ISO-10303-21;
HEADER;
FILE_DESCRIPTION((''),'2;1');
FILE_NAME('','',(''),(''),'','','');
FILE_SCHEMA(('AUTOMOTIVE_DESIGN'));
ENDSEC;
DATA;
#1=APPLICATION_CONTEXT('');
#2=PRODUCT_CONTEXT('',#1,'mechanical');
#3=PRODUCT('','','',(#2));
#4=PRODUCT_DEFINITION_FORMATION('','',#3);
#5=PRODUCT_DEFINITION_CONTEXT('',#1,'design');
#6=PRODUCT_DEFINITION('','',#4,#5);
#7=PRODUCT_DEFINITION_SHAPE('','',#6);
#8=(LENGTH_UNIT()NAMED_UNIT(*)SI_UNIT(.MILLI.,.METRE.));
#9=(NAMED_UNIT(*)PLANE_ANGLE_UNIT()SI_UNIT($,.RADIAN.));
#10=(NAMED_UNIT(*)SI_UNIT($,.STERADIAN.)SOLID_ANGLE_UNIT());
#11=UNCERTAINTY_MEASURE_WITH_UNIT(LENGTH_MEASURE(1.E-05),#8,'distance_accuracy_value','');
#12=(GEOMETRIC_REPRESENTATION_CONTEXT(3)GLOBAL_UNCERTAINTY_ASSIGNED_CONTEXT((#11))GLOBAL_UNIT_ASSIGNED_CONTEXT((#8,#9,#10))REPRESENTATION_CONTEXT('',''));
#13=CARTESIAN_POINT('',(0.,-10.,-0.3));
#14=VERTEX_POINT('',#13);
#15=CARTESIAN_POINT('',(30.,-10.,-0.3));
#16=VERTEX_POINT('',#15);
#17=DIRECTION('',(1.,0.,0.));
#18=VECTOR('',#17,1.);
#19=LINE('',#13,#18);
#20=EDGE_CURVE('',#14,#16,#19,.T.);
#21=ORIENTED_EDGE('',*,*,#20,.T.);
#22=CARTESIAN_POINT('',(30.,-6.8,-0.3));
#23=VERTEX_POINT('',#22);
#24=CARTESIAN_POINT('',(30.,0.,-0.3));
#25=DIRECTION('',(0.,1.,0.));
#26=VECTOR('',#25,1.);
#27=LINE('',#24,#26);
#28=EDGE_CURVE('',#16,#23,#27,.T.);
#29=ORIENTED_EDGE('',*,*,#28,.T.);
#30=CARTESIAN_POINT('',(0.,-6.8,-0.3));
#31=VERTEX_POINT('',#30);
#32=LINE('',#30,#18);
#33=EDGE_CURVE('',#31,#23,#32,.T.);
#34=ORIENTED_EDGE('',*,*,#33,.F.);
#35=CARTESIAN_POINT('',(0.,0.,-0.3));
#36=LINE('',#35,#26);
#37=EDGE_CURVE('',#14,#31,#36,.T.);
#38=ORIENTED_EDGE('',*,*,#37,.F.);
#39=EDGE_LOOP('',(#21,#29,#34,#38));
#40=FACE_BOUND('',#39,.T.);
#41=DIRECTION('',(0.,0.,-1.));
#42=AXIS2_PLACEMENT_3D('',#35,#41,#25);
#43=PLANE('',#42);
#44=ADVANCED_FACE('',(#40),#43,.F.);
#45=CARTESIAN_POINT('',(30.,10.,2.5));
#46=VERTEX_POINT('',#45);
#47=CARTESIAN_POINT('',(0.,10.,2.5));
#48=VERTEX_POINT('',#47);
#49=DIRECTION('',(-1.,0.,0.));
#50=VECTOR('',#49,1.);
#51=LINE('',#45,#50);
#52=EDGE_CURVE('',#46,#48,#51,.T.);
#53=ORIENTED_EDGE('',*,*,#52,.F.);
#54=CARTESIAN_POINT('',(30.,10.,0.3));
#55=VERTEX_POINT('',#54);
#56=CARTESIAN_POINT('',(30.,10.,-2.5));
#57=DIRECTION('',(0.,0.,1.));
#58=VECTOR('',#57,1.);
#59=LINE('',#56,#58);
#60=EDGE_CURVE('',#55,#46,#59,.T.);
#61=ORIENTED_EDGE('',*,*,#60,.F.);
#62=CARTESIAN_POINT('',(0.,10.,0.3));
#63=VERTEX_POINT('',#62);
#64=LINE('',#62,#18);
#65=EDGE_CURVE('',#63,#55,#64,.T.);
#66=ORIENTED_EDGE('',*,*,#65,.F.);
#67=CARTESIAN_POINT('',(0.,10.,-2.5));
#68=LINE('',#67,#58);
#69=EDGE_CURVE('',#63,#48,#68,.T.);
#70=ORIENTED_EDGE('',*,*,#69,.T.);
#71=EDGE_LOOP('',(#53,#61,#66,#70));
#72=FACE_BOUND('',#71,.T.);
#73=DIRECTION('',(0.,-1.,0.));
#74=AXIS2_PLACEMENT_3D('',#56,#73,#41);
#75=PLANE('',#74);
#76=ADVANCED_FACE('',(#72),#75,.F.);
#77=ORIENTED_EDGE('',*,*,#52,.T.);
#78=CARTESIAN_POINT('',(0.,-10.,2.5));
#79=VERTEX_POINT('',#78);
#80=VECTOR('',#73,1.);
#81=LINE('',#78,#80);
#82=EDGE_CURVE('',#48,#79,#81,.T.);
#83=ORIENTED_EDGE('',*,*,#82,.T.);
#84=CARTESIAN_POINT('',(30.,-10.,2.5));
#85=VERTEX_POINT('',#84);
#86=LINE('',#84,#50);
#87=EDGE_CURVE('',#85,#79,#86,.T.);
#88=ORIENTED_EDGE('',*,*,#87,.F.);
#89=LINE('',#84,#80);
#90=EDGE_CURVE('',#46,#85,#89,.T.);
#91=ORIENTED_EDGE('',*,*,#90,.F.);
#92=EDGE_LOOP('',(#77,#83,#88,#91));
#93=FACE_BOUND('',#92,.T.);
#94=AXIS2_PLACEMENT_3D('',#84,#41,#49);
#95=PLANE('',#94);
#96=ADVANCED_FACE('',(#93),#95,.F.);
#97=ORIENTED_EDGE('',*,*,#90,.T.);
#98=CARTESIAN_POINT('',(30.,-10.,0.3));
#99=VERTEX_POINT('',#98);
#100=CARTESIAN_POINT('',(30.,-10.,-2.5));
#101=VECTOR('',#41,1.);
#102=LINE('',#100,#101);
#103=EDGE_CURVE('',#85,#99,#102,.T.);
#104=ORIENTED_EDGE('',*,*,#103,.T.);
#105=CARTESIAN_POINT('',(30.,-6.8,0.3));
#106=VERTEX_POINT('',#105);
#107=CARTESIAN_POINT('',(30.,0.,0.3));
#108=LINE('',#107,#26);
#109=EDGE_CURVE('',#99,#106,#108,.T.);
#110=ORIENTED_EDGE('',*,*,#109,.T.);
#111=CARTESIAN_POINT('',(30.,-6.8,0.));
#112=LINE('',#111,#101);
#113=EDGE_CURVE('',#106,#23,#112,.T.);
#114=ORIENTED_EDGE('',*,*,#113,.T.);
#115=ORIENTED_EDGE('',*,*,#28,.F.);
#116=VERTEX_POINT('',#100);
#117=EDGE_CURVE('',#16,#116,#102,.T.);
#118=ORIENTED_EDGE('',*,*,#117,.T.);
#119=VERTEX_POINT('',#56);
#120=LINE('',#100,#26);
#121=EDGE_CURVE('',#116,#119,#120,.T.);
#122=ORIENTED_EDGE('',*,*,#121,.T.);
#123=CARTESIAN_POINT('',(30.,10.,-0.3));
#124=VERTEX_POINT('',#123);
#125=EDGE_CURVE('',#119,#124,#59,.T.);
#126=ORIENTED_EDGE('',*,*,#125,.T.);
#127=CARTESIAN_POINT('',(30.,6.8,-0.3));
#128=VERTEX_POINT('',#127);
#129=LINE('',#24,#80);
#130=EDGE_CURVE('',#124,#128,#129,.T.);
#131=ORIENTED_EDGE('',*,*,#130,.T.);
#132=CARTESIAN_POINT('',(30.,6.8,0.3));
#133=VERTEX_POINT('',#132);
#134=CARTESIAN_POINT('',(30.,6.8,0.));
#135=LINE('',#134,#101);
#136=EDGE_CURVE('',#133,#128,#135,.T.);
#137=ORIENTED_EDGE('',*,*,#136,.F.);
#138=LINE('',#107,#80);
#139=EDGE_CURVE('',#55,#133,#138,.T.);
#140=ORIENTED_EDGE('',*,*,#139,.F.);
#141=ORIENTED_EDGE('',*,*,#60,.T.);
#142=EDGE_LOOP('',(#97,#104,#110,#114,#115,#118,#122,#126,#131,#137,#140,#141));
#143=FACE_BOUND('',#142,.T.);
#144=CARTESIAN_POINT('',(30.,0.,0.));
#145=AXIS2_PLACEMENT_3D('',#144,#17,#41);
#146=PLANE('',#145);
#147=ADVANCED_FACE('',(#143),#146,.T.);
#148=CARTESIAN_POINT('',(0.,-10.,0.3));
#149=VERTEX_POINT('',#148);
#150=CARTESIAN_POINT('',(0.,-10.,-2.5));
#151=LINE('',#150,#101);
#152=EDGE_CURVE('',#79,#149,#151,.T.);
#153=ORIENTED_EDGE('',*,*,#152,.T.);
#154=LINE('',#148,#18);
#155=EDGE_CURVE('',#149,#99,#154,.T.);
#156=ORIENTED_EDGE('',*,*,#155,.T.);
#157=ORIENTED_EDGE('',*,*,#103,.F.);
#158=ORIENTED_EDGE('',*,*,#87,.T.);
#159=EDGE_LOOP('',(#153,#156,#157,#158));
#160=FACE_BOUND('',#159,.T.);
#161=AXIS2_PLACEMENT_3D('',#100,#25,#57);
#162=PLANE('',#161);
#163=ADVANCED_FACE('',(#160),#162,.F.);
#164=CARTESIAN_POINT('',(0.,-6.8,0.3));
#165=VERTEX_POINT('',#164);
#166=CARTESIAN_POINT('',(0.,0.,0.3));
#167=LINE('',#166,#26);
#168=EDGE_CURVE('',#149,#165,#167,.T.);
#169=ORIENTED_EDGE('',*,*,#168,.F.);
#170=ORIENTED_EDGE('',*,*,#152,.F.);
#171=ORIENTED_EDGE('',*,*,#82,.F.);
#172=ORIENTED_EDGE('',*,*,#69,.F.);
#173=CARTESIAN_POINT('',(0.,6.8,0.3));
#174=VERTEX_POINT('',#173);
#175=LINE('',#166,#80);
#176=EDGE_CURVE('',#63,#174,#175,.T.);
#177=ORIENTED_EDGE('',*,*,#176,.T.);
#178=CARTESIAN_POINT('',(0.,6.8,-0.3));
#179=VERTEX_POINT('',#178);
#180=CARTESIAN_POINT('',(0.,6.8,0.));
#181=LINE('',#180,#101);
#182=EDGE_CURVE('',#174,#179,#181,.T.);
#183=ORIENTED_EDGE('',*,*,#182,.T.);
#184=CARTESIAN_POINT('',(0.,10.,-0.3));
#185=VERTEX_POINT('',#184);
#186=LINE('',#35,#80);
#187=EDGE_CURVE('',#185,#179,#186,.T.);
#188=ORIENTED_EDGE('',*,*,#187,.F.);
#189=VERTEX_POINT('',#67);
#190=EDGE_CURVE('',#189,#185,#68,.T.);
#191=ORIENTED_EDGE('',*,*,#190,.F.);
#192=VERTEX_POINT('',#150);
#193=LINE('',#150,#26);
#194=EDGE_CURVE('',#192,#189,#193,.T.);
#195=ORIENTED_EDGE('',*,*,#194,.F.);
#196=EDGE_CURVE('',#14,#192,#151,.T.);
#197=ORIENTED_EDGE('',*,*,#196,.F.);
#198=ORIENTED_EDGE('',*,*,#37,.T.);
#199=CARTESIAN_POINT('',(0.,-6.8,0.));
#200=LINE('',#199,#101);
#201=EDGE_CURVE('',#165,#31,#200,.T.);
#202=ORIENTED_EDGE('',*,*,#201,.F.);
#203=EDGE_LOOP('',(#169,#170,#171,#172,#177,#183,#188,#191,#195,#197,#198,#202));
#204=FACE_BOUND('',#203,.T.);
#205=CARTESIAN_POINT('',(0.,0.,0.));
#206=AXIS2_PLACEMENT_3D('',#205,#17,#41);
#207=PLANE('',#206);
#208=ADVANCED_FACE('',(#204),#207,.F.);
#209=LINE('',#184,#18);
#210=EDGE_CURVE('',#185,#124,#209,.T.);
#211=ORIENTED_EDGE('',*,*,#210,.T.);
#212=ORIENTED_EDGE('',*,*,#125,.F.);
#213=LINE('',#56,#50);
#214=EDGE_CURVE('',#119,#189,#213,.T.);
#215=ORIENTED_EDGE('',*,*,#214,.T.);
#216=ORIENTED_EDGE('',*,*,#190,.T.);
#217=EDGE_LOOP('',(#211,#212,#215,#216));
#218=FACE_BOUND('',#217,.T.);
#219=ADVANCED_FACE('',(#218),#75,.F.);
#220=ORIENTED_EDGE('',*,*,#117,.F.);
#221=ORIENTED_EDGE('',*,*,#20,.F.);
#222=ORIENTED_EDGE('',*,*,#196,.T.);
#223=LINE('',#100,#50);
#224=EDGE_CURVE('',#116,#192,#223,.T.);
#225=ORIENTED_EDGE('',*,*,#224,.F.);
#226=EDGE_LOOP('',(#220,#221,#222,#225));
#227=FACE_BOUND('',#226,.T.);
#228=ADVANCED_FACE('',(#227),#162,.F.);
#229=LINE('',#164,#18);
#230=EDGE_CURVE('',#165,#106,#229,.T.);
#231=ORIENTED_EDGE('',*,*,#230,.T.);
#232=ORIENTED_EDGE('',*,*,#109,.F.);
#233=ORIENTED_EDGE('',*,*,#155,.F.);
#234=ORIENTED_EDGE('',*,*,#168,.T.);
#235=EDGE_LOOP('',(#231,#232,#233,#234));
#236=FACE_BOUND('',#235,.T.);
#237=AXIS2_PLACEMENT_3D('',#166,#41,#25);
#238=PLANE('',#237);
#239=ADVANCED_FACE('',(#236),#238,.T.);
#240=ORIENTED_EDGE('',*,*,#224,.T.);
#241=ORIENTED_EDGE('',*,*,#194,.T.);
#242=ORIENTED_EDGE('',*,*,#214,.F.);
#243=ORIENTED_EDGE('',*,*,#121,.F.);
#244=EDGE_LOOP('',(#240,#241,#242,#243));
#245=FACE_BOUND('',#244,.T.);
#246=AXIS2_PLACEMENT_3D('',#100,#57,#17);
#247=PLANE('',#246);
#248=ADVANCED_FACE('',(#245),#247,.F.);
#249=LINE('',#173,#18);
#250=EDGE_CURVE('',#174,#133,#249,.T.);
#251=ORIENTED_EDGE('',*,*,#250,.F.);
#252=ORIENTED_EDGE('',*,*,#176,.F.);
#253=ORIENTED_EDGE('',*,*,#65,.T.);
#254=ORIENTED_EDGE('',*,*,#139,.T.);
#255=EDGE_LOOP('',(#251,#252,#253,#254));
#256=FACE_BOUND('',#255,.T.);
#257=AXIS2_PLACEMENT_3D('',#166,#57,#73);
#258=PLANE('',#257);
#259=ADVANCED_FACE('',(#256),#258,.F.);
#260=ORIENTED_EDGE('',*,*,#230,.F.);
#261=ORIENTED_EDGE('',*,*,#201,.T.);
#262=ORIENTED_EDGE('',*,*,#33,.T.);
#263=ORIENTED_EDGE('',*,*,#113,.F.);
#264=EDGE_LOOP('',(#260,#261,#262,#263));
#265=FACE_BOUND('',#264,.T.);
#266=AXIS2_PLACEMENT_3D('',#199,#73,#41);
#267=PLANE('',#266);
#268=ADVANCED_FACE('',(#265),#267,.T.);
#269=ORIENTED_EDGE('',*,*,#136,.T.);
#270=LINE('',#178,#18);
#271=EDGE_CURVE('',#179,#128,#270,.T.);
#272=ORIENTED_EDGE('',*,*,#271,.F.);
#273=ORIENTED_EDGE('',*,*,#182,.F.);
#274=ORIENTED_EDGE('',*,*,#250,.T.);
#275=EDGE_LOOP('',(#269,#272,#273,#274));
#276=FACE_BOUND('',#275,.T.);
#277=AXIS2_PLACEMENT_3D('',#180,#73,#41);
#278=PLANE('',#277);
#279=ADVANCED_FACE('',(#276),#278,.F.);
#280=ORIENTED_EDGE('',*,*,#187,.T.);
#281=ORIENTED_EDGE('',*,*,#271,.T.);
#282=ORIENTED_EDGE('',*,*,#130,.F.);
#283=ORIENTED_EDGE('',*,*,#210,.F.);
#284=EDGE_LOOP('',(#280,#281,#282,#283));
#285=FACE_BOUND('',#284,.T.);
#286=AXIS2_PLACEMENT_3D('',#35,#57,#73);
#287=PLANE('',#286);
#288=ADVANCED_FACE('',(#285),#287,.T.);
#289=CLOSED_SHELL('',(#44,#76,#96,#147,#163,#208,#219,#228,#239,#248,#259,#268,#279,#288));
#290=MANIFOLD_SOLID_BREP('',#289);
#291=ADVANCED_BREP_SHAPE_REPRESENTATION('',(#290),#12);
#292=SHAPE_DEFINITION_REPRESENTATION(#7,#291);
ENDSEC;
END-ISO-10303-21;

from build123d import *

# Parameters (mm, degrees)
SKETCH4_W           = 5
SKETCH4_H           = 20
BOSS_EXTRUDE2_DEPTH = 30
CUT_EXTRUDE3_DEPTH  = 31


with BuildPart() as part:
    # Sketch4 → Boss-Extrude2 (new body)
    with BuildSketch(Plane(origin=(0, 0, 0), x_dir=(0, 0, -1), z_dir=(1, 0, 0))):
        Rectangle(SKETCH4_W, SKETCH4_H)
    extrude(amount=BOSS_EXTRUDE2_DEPTH)

    # Sketch5 → Cut-Extrude3 (cut, through all)
    with BuildSketch(Plane(origin=(30, 0, 0), x_dir=(0, 0, -1), z_dir=(1, 0, 0))):
        Polygon((0.3, 6.8), (0.3, 10), (0, 10), (-0.3, 10), (-0.3, 6.8), align=None)
    cut_extrude3 = extrude(amount=-CUT_EXTRUDE3_DEPTH, mode=Mode.SUBTRACT)

    # Mirror3: Cut-Extrude3 across plane
    add(cut_extrude3.mirror(Plane.ZX), mode=Mode.SUBTRACT)


solid = part.part
